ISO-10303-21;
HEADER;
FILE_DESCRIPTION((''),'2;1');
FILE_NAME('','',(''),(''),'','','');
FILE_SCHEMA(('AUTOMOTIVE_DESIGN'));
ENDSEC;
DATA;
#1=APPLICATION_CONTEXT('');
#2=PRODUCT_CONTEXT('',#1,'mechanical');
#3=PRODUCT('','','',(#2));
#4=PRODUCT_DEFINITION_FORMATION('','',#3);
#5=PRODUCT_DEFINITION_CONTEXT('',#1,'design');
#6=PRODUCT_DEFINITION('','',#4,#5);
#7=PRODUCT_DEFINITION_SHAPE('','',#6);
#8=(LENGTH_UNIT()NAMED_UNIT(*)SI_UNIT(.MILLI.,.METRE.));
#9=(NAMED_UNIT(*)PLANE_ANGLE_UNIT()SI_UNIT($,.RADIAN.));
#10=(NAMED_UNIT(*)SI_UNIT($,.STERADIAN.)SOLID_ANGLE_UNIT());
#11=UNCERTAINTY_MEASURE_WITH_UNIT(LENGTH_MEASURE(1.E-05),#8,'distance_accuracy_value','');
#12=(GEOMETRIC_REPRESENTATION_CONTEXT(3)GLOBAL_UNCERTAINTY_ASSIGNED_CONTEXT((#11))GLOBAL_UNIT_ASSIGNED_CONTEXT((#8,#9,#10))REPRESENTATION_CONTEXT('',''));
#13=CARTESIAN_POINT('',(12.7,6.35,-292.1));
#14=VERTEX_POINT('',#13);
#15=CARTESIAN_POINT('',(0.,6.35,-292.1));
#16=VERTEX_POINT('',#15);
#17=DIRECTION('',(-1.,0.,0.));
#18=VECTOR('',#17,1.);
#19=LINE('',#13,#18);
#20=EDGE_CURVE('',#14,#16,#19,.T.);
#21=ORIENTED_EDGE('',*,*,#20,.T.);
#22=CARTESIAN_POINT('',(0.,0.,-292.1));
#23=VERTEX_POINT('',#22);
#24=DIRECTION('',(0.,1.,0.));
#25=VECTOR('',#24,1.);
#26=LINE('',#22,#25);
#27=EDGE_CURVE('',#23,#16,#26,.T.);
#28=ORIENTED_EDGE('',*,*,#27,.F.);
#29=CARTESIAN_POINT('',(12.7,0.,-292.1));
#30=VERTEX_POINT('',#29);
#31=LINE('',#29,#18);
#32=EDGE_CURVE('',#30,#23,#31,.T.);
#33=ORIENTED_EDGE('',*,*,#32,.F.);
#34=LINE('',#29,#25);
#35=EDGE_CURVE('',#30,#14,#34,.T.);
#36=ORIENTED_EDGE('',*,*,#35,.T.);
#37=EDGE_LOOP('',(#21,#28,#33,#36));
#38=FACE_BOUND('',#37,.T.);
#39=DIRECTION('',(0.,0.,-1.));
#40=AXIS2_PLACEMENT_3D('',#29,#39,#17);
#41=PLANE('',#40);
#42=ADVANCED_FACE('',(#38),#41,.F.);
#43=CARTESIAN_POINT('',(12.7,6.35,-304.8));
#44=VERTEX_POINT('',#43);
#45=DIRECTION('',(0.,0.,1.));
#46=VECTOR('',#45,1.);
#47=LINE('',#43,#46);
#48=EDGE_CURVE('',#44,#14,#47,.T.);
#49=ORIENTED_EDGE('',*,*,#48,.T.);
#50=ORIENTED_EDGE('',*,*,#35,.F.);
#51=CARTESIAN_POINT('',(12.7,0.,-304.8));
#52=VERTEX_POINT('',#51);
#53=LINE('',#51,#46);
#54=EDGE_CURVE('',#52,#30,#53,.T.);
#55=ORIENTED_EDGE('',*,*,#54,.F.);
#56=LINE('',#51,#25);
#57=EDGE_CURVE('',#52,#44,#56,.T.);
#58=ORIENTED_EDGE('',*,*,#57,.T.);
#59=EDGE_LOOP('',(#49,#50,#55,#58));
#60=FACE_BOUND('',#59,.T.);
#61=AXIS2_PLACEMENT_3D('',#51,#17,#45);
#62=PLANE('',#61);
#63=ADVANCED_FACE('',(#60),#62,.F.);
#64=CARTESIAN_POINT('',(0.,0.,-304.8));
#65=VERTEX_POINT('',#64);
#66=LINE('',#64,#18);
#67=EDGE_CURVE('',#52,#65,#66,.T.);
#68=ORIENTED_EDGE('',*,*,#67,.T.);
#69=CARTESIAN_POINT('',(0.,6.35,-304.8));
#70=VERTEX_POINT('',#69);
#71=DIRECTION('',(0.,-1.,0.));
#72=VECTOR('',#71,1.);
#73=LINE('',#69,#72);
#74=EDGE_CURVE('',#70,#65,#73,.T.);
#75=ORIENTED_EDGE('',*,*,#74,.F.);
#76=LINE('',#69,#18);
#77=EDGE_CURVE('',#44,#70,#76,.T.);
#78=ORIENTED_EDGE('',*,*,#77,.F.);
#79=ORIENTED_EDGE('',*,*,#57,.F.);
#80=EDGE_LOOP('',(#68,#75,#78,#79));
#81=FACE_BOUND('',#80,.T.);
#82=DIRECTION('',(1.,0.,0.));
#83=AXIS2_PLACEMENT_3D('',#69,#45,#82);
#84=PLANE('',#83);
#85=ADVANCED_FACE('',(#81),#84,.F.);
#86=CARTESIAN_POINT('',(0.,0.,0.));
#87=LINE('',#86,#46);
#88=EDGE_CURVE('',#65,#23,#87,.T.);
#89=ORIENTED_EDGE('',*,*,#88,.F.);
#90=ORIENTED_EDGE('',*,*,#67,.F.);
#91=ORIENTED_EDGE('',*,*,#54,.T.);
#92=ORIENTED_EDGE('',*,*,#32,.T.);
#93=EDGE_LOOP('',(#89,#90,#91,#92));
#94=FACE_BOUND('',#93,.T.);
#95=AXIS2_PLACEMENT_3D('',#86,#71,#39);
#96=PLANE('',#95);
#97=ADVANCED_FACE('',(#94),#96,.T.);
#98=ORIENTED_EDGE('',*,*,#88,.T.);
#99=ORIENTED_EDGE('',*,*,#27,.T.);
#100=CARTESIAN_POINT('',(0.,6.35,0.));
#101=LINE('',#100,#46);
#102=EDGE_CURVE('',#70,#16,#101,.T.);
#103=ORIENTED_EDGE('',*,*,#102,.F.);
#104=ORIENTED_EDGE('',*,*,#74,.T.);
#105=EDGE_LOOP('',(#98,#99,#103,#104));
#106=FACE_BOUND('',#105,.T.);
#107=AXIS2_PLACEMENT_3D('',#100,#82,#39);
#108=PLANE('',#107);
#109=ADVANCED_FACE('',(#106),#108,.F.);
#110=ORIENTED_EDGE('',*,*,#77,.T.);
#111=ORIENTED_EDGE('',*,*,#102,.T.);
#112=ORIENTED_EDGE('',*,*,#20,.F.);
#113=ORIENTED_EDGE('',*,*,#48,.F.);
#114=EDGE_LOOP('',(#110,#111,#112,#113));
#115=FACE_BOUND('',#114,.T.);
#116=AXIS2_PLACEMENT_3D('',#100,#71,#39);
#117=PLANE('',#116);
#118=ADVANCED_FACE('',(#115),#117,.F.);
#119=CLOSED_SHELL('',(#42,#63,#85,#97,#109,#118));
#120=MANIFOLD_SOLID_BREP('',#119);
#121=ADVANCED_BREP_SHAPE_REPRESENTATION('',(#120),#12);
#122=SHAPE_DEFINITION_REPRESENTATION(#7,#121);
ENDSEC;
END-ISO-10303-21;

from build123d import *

# Parameters (mm, degrees)
SKETCH1_W           = 304.8
SKETCH1_H           = 304.8
BOSS_EXTRUDE1_DEPTH = 6.35
CUT_EXTRUDE2_DEPTH  = 6.35


with BuildPart() as part:
    # Sketch1 → Boss-Extrude1 (new body)
    with BuildSketch(Plane(origin=(0, 0, 0), x_dir=(1, 0, 0), z_dir=(0, 1, 0))):
        with Locations((152.4, 152.4)):
            Rectangle(SKETCH1_W, SKETCH1_H)
    extrude(amount=BOSS_EXTRUDE1_DEPTH)

    # Sketch2 → Cut-Extrude2 (cut)
    with BuildSketch(Plane(origin=(0, 6.35, 0), x_dir=(1, 0, 0), z_dir=(0, 1, 0))):
        Polygon((12.7, 304.8), (12.7, 292.1), (0, 292.1), (0, 0), (304.8, 0), (304.8, 304.8), align=None)
    extrude(amount=-CUT_EXTRUDE2_DEPTH, mode=Mode.SUBTRACT)


solid = part.part
